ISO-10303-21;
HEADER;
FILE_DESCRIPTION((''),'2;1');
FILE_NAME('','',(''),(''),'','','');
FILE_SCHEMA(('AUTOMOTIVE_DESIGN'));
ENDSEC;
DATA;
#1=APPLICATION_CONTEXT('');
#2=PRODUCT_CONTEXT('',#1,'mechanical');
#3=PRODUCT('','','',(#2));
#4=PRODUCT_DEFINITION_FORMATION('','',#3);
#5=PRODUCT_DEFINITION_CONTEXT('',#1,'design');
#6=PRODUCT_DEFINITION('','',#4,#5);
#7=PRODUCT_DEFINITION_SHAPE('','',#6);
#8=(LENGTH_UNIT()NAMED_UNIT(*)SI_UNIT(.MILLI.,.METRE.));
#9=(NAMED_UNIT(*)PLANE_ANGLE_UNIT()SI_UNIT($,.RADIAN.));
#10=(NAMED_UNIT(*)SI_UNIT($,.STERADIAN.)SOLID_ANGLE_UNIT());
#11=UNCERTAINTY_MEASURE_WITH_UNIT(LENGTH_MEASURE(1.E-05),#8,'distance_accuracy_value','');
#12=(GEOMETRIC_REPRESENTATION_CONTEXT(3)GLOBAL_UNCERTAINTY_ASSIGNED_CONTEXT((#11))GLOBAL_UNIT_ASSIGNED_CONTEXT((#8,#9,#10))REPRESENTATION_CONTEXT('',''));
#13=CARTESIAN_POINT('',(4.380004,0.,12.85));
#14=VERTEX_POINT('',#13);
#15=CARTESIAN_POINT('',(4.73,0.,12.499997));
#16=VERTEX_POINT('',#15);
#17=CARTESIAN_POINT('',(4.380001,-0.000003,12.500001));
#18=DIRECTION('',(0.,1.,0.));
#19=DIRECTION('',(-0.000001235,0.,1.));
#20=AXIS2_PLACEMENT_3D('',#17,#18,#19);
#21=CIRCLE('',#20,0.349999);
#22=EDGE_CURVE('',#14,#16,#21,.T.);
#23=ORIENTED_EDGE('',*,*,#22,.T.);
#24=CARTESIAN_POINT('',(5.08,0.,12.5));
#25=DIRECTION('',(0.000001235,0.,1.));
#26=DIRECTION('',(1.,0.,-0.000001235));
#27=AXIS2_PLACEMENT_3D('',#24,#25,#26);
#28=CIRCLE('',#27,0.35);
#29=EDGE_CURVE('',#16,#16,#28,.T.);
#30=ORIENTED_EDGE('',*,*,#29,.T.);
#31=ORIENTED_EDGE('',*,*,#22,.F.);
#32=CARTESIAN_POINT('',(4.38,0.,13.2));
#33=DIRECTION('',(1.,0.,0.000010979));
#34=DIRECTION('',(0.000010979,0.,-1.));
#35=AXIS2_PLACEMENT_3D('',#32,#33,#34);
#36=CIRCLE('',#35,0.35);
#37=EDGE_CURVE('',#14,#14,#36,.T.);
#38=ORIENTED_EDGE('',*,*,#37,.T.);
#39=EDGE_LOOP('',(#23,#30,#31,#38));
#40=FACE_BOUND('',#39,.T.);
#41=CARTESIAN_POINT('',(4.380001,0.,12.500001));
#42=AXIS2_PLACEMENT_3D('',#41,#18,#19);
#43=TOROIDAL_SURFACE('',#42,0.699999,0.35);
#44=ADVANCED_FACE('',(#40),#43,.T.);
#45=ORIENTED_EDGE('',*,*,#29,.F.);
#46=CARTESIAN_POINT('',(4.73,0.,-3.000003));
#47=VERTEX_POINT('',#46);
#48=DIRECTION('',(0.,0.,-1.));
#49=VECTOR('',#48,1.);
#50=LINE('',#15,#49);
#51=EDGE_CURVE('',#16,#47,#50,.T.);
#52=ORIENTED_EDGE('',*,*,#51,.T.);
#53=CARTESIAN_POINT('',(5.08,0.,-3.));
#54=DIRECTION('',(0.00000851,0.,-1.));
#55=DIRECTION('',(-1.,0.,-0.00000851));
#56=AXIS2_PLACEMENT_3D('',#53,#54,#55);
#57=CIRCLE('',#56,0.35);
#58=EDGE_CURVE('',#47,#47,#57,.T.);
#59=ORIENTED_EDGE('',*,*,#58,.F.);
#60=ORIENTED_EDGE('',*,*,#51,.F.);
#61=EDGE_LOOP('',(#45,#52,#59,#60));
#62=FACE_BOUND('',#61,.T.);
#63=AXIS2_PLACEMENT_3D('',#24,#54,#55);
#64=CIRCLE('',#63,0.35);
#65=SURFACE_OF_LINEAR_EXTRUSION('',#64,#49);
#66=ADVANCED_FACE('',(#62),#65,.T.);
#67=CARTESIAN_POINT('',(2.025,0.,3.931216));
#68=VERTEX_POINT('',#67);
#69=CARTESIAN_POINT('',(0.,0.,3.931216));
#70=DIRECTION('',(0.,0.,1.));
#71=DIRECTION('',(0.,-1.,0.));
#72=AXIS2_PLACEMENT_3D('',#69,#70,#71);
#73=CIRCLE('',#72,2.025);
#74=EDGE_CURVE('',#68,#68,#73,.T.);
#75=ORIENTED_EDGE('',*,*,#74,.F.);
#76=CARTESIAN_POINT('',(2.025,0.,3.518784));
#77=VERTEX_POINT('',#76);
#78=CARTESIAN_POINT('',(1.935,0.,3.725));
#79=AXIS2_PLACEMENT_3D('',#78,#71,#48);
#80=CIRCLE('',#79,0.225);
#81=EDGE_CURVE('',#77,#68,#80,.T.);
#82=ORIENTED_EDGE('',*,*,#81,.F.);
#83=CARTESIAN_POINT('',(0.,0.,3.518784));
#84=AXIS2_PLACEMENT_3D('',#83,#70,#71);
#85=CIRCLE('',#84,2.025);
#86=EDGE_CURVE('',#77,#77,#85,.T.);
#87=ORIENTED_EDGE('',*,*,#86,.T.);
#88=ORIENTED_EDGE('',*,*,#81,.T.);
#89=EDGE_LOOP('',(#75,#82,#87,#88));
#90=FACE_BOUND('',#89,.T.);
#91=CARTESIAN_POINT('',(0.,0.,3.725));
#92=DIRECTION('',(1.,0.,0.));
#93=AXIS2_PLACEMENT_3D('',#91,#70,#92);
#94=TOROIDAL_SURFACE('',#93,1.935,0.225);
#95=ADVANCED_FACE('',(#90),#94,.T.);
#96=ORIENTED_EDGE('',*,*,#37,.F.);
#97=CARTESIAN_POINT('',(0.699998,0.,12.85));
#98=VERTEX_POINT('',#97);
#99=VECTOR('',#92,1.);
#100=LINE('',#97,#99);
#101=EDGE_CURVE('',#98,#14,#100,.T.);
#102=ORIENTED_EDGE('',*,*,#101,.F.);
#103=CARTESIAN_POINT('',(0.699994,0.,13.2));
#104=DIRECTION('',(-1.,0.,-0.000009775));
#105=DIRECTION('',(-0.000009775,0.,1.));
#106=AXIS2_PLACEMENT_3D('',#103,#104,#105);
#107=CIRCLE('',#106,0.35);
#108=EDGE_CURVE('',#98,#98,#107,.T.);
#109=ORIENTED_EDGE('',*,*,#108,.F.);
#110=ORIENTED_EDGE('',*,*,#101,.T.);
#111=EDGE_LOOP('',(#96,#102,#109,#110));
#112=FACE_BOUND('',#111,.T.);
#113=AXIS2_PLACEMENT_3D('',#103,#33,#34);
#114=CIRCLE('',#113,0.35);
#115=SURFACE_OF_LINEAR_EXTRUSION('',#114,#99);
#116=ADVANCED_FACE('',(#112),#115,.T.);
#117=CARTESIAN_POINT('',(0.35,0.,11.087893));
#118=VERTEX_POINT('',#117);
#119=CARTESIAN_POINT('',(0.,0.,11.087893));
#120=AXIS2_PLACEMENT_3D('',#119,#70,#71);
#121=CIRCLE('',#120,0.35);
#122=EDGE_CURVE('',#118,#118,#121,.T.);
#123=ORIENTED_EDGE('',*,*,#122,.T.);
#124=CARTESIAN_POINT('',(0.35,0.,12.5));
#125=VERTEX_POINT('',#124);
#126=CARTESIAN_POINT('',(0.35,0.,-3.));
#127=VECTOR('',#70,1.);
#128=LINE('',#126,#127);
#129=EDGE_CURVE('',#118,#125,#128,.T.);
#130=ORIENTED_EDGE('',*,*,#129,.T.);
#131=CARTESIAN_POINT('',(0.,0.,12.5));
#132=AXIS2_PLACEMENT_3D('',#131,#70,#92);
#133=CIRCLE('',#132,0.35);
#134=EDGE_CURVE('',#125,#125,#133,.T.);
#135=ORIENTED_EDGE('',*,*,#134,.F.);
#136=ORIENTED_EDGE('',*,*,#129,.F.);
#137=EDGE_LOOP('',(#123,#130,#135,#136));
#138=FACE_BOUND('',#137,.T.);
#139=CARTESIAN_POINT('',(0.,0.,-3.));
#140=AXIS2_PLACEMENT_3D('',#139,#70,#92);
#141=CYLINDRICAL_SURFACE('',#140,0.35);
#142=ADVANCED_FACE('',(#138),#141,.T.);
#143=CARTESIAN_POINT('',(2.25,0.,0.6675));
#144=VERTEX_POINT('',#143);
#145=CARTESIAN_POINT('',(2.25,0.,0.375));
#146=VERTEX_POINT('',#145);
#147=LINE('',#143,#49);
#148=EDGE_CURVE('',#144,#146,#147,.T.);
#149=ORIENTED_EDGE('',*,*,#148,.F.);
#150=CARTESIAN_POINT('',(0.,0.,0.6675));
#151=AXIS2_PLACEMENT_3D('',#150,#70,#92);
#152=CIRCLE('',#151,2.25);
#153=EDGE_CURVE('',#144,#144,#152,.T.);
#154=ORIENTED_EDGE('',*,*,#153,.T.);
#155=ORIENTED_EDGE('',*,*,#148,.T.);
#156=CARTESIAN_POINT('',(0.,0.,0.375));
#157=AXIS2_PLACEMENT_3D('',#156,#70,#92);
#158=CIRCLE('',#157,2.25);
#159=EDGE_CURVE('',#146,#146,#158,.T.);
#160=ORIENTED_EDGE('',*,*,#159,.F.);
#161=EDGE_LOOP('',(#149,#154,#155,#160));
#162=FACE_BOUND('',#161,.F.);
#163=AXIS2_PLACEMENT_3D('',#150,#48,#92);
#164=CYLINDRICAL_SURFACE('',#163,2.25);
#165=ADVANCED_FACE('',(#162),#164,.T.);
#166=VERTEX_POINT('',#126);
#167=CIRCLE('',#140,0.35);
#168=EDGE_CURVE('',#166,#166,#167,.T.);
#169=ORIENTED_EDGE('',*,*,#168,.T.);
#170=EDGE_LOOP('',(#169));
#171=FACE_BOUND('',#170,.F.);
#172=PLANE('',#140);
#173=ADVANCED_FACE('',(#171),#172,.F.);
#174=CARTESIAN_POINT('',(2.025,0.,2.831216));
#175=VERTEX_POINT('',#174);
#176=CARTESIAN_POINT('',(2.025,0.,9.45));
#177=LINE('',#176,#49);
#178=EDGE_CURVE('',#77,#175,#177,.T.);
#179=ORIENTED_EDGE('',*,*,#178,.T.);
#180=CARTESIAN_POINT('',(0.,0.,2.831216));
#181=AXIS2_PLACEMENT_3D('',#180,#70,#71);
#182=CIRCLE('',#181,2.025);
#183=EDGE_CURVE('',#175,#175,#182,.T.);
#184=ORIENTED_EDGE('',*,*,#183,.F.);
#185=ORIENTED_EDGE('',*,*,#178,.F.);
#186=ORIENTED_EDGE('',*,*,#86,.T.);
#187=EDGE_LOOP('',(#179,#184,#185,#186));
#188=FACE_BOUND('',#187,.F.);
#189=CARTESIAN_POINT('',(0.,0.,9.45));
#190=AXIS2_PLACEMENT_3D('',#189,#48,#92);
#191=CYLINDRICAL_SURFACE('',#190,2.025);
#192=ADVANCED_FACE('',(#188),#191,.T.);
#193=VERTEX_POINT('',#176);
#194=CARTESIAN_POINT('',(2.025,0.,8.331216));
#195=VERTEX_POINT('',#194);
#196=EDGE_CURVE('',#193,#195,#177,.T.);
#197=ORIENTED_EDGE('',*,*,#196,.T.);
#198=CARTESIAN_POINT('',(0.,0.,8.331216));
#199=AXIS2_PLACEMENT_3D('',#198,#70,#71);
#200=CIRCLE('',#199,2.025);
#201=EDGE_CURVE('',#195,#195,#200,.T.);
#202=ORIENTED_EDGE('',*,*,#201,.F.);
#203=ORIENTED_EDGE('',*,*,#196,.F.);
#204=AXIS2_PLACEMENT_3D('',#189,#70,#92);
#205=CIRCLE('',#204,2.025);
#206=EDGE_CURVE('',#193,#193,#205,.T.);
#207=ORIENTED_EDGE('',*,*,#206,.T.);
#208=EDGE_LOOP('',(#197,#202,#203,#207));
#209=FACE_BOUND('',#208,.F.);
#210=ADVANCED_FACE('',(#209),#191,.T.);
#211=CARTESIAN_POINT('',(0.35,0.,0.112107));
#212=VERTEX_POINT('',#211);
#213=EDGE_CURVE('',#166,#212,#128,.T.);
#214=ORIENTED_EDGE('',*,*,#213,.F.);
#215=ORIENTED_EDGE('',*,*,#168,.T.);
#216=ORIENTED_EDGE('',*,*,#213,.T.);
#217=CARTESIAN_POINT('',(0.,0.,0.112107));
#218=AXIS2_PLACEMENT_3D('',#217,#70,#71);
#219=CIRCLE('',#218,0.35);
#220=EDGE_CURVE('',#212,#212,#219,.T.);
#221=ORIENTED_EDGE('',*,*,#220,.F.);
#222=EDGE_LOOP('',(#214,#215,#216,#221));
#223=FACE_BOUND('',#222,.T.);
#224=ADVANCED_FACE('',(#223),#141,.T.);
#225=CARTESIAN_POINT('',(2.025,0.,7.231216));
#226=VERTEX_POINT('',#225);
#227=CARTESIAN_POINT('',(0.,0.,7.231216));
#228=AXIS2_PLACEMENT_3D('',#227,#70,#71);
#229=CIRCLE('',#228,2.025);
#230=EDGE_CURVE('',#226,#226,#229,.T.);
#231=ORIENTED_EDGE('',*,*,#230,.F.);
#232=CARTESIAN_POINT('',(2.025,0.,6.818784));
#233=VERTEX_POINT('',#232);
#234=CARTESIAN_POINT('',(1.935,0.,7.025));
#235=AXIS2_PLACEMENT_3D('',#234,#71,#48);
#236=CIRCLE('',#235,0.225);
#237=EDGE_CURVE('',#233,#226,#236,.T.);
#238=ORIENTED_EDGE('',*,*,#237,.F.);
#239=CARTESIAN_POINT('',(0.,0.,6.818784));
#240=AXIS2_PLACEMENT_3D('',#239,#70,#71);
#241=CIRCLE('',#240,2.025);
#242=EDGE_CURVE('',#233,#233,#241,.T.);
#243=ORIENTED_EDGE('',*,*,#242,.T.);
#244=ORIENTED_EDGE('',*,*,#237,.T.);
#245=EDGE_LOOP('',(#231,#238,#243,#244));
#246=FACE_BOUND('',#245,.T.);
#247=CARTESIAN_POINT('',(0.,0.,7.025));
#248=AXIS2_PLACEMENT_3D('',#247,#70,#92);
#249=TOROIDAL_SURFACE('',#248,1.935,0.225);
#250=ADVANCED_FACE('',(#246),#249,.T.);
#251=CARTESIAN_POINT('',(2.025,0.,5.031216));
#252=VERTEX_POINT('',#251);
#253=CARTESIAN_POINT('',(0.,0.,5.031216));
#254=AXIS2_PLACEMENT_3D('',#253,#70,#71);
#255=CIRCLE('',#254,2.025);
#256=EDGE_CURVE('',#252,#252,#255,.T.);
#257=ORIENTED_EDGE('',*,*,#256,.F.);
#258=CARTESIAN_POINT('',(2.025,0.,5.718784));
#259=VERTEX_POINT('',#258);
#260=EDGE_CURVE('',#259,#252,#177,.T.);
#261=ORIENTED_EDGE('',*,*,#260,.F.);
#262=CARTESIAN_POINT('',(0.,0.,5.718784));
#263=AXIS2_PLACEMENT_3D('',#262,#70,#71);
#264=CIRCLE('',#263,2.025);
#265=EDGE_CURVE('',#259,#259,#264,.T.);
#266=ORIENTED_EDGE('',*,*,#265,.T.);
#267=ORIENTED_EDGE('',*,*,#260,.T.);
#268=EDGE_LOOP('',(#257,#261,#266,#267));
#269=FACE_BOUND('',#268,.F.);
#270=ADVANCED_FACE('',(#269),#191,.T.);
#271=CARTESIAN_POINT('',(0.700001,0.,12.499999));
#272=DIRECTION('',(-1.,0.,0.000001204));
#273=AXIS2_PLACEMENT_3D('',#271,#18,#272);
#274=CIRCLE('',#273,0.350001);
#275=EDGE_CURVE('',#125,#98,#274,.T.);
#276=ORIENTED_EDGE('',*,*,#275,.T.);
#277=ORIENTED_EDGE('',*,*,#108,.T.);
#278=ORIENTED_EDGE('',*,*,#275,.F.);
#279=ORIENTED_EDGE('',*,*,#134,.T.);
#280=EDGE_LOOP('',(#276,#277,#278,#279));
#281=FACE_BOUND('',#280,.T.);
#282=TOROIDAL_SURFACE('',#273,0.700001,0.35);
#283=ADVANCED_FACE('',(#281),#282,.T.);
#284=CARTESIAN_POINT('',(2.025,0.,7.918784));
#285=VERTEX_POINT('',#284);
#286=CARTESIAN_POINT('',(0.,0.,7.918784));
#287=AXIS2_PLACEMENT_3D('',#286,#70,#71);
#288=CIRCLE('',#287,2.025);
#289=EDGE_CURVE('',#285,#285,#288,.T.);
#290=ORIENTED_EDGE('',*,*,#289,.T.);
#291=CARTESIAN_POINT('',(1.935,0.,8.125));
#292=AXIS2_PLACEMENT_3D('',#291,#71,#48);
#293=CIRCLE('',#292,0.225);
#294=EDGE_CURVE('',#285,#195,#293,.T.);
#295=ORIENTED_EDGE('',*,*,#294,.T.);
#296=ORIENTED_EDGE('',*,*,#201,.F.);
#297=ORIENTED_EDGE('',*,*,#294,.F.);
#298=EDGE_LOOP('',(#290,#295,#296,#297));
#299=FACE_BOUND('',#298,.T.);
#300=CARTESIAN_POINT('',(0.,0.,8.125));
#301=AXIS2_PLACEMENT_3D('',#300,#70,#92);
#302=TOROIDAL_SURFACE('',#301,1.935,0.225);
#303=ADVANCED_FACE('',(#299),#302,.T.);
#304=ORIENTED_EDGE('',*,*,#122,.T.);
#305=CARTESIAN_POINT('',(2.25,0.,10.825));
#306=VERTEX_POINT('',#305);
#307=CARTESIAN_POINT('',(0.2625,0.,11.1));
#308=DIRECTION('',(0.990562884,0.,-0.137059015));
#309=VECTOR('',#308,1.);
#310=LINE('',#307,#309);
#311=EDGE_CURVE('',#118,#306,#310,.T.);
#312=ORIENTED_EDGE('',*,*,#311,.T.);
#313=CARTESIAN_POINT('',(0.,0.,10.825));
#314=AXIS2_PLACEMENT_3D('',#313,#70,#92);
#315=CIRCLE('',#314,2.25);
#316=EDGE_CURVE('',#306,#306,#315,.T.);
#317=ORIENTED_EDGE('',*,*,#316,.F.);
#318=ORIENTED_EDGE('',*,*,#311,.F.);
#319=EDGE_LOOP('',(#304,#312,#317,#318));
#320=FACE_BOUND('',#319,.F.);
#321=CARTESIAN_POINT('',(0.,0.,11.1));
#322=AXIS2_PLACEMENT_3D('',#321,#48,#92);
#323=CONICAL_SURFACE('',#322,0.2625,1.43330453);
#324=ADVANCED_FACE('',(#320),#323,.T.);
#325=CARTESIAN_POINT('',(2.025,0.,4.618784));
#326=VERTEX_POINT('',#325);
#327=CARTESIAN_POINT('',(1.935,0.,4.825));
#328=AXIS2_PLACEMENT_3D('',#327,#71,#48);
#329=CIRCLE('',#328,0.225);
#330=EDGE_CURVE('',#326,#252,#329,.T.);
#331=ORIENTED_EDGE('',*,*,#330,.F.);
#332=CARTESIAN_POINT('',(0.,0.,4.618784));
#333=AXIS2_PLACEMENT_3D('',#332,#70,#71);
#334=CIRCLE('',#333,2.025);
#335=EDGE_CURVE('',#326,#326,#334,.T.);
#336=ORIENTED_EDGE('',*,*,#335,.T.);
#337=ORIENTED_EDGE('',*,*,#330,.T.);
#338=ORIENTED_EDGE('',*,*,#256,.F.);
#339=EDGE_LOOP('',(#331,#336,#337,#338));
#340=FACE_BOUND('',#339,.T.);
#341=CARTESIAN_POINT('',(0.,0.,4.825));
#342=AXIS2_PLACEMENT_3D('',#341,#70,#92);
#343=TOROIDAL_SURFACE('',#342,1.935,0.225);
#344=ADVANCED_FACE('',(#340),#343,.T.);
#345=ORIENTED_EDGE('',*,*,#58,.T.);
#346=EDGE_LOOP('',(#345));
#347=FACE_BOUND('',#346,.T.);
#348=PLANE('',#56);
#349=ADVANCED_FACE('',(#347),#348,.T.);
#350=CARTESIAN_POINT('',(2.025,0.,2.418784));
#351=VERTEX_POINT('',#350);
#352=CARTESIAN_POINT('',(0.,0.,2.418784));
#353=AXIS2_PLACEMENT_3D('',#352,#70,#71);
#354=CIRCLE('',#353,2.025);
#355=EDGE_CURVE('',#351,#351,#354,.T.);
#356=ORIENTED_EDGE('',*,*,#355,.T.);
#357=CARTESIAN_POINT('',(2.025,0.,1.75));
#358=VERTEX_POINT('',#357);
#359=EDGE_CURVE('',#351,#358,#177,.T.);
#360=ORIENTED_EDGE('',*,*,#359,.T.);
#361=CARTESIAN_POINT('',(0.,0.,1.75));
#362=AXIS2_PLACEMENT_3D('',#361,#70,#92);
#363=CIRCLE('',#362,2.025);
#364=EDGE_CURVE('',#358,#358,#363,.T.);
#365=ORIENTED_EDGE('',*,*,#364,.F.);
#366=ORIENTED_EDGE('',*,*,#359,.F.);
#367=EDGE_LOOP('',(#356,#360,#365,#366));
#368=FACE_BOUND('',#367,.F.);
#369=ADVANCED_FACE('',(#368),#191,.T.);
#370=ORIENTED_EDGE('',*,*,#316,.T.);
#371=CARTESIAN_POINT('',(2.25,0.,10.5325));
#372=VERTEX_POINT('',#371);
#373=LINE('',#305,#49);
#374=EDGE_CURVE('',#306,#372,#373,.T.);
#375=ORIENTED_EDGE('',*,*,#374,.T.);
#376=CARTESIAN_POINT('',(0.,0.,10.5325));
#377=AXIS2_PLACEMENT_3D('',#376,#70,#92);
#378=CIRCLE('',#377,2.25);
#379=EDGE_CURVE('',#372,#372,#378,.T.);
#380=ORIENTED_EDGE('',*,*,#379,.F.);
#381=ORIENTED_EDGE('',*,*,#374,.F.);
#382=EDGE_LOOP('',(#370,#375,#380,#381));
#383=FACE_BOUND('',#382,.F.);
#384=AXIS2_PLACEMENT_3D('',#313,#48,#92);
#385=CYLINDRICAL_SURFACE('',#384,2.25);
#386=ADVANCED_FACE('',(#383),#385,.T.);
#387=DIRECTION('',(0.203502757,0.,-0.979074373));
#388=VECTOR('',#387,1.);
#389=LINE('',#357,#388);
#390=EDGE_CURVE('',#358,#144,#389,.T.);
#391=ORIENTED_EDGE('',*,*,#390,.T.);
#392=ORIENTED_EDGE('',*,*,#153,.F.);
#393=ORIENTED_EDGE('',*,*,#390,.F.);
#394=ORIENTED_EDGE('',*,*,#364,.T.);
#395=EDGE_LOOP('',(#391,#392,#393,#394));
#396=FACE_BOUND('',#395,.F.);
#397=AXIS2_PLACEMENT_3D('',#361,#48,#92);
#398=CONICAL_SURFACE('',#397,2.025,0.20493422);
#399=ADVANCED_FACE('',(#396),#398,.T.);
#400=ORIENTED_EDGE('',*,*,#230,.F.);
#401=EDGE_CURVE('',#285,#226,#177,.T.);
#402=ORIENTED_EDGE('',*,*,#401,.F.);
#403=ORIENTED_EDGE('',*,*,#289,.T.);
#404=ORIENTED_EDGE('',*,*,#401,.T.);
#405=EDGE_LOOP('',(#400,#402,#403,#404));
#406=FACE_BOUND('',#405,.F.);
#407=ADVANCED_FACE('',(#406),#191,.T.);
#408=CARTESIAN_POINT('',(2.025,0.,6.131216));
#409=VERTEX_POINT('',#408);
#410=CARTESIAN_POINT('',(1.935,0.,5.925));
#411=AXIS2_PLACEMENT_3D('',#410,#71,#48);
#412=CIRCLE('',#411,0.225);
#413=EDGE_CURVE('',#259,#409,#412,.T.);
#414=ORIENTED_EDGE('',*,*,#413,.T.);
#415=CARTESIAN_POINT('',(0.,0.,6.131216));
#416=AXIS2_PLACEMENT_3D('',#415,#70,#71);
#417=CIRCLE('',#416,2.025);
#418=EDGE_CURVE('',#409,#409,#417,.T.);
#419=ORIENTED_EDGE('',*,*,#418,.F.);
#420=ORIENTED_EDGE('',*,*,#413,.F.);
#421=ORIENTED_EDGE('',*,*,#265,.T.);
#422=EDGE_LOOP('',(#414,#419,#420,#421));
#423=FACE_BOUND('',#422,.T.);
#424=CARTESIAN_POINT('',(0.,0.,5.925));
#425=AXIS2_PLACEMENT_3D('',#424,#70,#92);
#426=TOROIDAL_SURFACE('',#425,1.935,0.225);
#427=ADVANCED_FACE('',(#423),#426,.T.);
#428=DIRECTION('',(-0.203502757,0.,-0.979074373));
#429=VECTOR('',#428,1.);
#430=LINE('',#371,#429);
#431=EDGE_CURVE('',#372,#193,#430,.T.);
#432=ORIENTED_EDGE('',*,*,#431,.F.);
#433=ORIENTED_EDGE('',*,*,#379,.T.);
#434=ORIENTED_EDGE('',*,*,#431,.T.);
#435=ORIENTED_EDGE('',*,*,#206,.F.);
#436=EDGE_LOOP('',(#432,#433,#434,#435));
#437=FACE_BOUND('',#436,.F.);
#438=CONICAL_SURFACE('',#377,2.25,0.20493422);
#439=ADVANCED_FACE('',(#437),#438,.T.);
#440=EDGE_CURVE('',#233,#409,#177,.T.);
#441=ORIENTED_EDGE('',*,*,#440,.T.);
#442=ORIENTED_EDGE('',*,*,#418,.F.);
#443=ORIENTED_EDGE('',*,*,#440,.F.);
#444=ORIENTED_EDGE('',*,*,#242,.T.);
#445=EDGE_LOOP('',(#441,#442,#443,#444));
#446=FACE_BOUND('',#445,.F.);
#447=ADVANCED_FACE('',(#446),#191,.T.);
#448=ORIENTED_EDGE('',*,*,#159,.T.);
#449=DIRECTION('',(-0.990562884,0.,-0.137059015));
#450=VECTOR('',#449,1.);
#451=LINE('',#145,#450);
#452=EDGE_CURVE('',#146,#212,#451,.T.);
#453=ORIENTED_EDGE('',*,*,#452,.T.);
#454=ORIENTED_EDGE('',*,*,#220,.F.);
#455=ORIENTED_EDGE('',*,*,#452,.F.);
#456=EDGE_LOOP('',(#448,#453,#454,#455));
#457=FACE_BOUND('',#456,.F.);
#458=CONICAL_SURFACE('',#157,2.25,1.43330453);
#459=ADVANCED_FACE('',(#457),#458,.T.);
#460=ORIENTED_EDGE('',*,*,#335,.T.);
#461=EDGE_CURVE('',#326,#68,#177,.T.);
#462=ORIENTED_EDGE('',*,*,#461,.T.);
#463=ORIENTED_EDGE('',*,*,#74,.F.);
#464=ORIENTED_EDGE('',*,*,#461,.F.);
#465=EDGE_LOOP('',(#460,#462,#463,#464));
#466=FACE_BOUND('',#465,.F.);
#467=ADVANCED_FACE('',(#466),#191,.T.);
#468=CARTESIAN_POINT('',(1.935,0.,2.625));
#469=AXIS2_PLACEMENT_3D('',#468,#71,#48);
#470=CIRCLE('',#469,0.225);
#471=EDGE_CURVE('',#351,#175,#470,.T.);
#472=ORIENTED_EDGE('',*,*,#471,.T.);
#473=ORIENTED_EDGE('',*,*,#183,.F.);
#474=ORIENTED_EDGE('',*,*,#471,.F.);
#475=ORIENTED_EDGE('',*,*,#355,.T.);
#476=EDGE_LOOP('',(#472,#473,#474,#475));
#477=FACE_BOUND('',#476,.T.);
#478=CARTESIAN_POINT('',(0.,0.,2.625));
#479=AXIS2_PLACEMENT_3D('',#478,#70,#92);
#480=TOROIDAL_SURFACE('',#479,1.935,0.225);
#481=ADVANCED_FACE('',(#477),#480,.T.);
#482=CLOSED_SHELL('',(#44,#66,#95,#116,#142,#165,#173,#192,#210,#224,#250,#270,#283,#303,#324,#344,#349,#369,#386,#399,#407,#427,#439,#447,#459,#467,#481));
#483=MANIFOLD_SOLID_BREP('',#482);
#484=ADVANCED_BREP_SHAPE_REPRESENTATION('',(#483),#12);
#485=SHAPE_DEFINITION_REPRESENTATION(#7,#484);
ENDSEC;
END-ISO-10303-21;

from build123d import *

# Parameters (mm, degrees)
SKETCH_R = 0.35


with BuildPart() as revolution:
    # Sketch002 → Revolution (revolve)
    with BuildSketch(Plane.XZ):
        Polygon((0, 0.1), (0, 11.1), (0.2625, 11.1), (2.25, 10.825), (2.25, 10.5325), (2.025, 9.45), (2.025, 1.75), (2.25, 0.6675), (2.25, 0.375), (0.2625, 0.1), align=None)
    revolve(axis=Axis((0, 0, 0), (0, 0, 1)))


with BuildPart() as sweep_body:
    # Sweep: sweep along a path in Sketch001
    with BuildLine(Plane.XZ) as sweep_path:
        Line((0, -3), (0, 12.5))
        ThreePointArc((0, 12.5), (0.205023, 12.994972), (0.699994, 13.2))
        Line((0.699994, 13.2), (4.38, 13.2))
        ThreePointArc((4.38, 13.2), (4.874975, 12.994975), (5.08, 12.5))
        Line((5.08, 12.5), (5.08, -3))
    # Sketch → Sweep (sweep)
    with BuildSketch(Plane.XY.offset(-2)):
        Circle(SKETCH_R)
    sweep(path=sweep_path.line)


with BuildPart() as revolution001_mp_cp:
    # Sketch003 → Revolution001 (revolve)
    with BuildSketch(Plane.XZ):
        with BuildLine():
            Line((1.8, 9), (1.8, 1.75))
            Line((1.8, 1.75), (1.935, 1.75))
            Line((1.935, 1.75), (1.935, 2.4))
            ThreePointArc((1.935, 2.4), (2.16, 2.625), (1.935, 2.85))
            Line((1.935, 2.85), (1.935, 3.5))
            ThreePointArc((1.935, 3.5), (2.16, 3.725), (1.935, 3.95))
            Line((1.935, 3.95), (1.935, 4.6))
            ThreePointArc((1.935, 4.6), (2.16, 4.825), (1.935, 5.05))
            Line((1.935, 5.05), (1.935, 5.7))
            ThreePointArc((1.935, 5.7), (2.16, 5.925), (1.935, 6.15))
            Line((1.935, 6.15), (1.935, 6.8))
            ThreePointArc((1.935, 6.8), (2.16, 7.025), (1.935, 7.25))
            Line((1.935, 7.25), (1.935, 7.9))
            ThreePointArc((1.935, 7.9), (2.16, 8.125), (1.935, 8.35))
            Line((1.935, 9), (1.935, 8.35))
            Line((1.8, 9), (1.935, 9))
        make_face()
    revolve(axis=Axis((0, 0, 0), (0, 0, 1)))

    # Revolution001_mp_cp: union Revolution, Sweep body
    add(revolution.part)
    add(sweep_body.part)


solid = revolution001_mp_cp.part
